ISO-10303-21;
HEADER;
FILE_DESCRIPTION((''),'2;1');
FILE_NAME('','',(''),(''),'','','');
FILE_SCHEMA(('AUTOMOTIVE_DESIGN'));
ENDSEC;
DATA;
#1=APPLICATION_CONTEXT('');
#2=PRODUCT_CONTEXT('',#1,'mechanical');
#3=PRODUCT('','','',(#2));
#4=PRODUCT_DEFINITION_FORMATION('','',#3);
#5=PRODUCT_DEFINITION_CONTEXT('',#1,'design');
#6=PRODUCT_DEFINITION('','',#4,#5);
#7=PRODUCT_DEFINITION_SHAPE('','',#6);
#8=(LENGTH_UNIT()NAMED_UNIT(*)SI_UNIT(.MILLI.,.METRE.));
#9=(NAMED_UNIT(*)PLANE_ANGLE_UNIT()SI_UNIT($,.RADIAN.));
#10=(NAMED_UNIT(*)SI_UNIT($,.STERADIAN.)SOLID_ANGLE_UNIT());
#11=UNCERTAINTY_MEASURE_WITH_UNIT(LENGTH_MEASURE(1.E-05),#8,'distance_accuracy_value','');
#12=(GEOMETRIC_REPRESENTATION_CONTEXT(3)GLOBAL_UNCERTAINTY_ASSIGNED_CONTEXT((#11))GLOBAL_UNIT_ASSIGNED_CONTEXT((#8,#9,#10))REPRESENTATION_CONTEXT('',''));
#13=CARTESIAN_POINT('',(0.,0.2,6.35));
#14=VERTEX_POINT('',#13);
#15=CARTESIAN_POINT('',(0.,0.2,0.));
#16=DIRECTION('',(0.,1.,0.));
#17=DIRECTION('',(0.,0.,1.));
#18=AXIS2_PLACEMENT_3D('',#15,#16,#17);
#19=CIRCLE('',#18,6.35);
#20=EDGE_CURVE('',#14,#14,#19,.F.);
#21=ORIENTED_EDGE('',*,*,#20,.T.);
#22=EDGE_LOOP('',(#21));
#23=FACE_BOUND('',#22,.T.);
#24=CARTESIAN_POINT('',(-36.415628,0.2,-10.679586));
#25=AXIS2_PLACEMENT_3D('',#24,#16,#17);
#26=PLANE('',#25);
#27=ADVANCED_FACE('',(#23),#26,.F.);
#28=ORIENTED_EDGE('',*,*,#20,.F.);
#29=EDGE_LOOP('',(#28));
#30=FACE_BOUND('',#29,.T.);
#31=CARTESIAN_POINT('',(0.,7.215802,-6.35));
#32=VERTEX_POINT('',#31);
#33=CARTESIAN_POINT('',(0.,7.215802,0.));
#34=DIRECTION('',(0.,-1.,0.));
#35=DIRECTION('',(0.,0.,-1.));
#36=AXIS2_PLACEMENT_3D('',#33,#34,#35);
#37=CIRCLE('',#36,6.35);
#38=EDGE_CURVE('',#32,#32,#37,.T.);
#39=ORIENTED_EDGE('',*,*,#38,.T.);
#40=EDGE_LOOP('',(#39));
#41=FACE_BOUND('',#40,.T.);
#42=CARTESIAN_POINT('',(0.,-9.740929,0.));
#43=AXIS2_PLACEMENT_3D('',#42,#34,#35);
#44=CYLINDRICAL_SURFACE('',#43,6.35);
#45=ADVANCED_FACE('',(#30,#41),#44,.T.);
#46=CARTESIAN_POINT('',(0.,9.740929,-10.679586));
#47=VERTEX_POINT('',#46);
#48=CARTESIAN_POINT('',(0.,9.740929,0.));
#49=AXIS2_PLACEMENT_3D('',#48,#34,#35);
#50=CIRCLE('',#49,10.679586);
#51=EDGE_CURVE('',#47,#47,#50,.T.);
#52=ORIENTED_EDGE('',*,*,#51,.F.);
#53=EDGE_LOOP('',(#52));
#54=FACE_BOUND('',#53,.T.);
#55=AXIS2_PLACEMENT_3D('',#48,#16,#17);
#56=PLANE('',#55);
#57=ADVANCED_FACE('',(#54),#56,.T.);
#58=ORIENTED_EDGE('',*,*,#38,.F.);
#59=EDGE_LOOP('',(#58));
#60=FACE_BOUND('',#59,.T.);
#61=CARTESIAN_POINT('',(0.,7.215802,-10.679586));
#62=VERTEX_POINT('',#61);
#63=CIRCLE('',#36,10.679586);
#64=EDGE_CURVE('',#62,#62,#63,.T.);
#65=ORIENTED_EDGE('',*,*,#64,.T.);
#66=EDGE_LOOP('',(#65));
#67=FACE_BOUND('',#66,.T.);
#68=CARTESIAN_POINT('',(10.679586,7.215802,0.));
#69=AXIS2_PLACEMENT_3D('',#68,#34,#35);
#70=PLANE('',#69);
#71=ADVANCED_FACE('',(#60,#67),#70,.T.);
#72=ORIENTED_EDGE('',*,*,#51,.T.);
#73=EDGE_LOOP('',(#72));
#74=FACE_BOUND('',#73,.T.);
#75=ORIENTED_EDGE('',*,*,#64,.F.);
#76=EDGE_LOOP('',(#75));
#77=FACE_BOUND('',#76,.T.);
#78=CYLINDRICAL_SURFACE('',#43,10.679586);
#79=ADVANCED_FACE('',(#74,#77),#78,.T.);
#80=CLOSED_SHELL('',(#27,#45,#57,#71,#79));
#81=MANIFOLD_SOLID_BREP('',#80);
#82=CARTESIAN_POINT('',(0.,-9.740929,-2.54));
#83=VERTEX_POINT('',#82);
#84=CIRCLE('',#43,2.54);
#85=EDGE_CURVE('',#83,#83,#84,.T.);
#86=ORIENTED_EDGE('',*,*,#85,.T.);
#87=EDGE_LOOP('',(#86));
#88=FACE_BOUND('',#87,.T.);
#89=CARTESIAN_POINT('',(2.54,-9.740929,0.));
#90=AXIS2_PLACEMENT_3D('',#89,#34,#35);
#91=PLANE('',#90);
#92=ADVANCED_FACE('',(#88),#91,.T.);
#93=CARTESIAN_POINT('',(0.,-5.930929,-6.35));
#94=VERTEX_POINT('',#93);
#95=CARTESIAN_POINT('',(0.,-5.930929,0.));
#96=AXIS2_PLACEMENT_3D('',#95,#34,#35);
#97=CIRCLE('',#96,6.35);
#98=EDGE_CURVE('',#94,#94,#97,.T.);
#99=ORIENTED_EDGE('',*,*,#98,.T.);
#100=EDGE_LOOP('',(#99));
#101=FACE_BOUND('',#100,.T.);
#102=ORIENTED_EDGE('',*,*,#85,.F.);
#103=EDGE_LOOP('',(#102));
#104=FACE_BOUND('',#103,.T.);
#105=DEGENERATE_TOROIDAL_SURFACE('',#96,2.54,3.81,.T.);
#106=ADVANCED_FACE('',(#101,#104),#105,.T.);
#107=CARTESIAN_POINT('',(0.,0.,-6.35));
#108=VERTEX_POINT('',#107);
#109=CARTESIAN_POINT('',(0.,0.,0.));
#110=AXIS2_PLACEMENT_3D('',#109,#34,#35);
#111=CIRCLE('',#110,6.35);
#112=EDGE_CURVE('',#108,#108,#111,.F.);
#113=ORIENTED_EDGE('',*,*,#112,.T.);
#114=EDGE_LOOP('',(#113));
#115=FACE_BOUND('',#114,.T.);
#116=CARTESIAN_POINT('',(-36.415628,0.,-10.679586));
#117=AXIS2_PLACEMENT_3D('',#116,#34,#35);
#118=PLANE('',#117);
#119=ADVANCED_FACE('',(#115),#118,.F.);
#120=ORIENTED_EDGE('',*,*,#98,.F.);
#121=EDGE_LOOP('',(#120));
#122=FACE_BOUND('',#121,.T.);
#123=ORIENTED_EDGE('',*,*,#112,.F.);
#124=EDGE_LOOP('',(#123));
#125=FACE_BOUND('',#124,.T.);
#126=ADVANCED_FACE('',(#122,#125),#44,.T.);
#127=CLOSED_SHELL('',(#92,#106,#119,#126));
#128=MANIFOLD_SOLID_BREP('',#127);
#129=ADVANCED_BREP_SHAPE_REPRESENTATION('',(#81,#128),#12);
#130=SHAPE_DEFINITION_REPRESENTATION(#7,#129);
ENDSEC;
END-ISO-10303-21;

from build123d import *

# Parameters (mm, degrees)
CUT_EXTRUDE1_DEPTH      = 18.972000794
CUT_EXTRUDE1_DEPTH_BACK = 18.972000794
SKETCH2_W               = 72.831256038
SKETCH2_H               = 0.2


with BuildPart() as part:
    # Sketch1 → Revolve1 (revolve)
    with BuildSketch(Plane.XY, mode=Mode.PRIVATE) as revolve1_sk:
        with BuildLine():
            Line((0, 9.740928594), (10.679586151, 9.740928594))
            Line((10.679586151, 9.740928594), (10.679586151, 7.215801682))
            Line((10.679586151, 7.215801682), (6.35, 7.215801682))
            Line((6.35, 7.215801682), (6.35, -5.930928594))
            ThreePointArc((6.35, -5.930928594), (5.234076836, -8.625005431), (2.54, -9.740928594))
            Line((2.54, -9.740928594), (0, -9.740928594))
            Line((0, -9.740928594), (0, 9.740928594))
        make_face()
    revolve(revolve1_sk.sketch.rotate(Axis((0, -9.740928594, 0), (0, 1, 0)), 90), axis=Axis((0, -9.740928594, 0), (0, 1, 0)))

    # Sketch2 → Cut-Extrude1 (cut, two sides: drawn at the far end of the back side and taken through both)
    with BuildSketch(Plane.XY.offset(-CUT_EXTRUDE1_DEPTH_BACK)):
        with Locations((0, 0.1)):
            Rectangle(SKETCH2_W, SKETCH2_H)
    extrude(amount=CUT_EXTRUDE1_DEPTH + CUT_EXTRUDE1_DEPTH_BACK, mode=Mode.SUBTRACT)


with BuildPart() as cut_extrude1_piece_1:
    # of the separate pieces the step leaves, piece 1, a body of its own (cut_extrude1_pieces)
    add(part.part.solids().sort_by_distance((0, 7.215801682, -6.35))[0])


with BuildPart() as cut_extrude1_piece_2:
    # of the separate pieces the step leaves, piece 2, a body of its own (cut_extrude1_pieces)
    add(part.part.solids().sort_by_distance((0, -9.740928594, -2.54))[0])


solid = Compound([cut_extrude1_piece_1.part, cut_extrude1_piece_2.part])
